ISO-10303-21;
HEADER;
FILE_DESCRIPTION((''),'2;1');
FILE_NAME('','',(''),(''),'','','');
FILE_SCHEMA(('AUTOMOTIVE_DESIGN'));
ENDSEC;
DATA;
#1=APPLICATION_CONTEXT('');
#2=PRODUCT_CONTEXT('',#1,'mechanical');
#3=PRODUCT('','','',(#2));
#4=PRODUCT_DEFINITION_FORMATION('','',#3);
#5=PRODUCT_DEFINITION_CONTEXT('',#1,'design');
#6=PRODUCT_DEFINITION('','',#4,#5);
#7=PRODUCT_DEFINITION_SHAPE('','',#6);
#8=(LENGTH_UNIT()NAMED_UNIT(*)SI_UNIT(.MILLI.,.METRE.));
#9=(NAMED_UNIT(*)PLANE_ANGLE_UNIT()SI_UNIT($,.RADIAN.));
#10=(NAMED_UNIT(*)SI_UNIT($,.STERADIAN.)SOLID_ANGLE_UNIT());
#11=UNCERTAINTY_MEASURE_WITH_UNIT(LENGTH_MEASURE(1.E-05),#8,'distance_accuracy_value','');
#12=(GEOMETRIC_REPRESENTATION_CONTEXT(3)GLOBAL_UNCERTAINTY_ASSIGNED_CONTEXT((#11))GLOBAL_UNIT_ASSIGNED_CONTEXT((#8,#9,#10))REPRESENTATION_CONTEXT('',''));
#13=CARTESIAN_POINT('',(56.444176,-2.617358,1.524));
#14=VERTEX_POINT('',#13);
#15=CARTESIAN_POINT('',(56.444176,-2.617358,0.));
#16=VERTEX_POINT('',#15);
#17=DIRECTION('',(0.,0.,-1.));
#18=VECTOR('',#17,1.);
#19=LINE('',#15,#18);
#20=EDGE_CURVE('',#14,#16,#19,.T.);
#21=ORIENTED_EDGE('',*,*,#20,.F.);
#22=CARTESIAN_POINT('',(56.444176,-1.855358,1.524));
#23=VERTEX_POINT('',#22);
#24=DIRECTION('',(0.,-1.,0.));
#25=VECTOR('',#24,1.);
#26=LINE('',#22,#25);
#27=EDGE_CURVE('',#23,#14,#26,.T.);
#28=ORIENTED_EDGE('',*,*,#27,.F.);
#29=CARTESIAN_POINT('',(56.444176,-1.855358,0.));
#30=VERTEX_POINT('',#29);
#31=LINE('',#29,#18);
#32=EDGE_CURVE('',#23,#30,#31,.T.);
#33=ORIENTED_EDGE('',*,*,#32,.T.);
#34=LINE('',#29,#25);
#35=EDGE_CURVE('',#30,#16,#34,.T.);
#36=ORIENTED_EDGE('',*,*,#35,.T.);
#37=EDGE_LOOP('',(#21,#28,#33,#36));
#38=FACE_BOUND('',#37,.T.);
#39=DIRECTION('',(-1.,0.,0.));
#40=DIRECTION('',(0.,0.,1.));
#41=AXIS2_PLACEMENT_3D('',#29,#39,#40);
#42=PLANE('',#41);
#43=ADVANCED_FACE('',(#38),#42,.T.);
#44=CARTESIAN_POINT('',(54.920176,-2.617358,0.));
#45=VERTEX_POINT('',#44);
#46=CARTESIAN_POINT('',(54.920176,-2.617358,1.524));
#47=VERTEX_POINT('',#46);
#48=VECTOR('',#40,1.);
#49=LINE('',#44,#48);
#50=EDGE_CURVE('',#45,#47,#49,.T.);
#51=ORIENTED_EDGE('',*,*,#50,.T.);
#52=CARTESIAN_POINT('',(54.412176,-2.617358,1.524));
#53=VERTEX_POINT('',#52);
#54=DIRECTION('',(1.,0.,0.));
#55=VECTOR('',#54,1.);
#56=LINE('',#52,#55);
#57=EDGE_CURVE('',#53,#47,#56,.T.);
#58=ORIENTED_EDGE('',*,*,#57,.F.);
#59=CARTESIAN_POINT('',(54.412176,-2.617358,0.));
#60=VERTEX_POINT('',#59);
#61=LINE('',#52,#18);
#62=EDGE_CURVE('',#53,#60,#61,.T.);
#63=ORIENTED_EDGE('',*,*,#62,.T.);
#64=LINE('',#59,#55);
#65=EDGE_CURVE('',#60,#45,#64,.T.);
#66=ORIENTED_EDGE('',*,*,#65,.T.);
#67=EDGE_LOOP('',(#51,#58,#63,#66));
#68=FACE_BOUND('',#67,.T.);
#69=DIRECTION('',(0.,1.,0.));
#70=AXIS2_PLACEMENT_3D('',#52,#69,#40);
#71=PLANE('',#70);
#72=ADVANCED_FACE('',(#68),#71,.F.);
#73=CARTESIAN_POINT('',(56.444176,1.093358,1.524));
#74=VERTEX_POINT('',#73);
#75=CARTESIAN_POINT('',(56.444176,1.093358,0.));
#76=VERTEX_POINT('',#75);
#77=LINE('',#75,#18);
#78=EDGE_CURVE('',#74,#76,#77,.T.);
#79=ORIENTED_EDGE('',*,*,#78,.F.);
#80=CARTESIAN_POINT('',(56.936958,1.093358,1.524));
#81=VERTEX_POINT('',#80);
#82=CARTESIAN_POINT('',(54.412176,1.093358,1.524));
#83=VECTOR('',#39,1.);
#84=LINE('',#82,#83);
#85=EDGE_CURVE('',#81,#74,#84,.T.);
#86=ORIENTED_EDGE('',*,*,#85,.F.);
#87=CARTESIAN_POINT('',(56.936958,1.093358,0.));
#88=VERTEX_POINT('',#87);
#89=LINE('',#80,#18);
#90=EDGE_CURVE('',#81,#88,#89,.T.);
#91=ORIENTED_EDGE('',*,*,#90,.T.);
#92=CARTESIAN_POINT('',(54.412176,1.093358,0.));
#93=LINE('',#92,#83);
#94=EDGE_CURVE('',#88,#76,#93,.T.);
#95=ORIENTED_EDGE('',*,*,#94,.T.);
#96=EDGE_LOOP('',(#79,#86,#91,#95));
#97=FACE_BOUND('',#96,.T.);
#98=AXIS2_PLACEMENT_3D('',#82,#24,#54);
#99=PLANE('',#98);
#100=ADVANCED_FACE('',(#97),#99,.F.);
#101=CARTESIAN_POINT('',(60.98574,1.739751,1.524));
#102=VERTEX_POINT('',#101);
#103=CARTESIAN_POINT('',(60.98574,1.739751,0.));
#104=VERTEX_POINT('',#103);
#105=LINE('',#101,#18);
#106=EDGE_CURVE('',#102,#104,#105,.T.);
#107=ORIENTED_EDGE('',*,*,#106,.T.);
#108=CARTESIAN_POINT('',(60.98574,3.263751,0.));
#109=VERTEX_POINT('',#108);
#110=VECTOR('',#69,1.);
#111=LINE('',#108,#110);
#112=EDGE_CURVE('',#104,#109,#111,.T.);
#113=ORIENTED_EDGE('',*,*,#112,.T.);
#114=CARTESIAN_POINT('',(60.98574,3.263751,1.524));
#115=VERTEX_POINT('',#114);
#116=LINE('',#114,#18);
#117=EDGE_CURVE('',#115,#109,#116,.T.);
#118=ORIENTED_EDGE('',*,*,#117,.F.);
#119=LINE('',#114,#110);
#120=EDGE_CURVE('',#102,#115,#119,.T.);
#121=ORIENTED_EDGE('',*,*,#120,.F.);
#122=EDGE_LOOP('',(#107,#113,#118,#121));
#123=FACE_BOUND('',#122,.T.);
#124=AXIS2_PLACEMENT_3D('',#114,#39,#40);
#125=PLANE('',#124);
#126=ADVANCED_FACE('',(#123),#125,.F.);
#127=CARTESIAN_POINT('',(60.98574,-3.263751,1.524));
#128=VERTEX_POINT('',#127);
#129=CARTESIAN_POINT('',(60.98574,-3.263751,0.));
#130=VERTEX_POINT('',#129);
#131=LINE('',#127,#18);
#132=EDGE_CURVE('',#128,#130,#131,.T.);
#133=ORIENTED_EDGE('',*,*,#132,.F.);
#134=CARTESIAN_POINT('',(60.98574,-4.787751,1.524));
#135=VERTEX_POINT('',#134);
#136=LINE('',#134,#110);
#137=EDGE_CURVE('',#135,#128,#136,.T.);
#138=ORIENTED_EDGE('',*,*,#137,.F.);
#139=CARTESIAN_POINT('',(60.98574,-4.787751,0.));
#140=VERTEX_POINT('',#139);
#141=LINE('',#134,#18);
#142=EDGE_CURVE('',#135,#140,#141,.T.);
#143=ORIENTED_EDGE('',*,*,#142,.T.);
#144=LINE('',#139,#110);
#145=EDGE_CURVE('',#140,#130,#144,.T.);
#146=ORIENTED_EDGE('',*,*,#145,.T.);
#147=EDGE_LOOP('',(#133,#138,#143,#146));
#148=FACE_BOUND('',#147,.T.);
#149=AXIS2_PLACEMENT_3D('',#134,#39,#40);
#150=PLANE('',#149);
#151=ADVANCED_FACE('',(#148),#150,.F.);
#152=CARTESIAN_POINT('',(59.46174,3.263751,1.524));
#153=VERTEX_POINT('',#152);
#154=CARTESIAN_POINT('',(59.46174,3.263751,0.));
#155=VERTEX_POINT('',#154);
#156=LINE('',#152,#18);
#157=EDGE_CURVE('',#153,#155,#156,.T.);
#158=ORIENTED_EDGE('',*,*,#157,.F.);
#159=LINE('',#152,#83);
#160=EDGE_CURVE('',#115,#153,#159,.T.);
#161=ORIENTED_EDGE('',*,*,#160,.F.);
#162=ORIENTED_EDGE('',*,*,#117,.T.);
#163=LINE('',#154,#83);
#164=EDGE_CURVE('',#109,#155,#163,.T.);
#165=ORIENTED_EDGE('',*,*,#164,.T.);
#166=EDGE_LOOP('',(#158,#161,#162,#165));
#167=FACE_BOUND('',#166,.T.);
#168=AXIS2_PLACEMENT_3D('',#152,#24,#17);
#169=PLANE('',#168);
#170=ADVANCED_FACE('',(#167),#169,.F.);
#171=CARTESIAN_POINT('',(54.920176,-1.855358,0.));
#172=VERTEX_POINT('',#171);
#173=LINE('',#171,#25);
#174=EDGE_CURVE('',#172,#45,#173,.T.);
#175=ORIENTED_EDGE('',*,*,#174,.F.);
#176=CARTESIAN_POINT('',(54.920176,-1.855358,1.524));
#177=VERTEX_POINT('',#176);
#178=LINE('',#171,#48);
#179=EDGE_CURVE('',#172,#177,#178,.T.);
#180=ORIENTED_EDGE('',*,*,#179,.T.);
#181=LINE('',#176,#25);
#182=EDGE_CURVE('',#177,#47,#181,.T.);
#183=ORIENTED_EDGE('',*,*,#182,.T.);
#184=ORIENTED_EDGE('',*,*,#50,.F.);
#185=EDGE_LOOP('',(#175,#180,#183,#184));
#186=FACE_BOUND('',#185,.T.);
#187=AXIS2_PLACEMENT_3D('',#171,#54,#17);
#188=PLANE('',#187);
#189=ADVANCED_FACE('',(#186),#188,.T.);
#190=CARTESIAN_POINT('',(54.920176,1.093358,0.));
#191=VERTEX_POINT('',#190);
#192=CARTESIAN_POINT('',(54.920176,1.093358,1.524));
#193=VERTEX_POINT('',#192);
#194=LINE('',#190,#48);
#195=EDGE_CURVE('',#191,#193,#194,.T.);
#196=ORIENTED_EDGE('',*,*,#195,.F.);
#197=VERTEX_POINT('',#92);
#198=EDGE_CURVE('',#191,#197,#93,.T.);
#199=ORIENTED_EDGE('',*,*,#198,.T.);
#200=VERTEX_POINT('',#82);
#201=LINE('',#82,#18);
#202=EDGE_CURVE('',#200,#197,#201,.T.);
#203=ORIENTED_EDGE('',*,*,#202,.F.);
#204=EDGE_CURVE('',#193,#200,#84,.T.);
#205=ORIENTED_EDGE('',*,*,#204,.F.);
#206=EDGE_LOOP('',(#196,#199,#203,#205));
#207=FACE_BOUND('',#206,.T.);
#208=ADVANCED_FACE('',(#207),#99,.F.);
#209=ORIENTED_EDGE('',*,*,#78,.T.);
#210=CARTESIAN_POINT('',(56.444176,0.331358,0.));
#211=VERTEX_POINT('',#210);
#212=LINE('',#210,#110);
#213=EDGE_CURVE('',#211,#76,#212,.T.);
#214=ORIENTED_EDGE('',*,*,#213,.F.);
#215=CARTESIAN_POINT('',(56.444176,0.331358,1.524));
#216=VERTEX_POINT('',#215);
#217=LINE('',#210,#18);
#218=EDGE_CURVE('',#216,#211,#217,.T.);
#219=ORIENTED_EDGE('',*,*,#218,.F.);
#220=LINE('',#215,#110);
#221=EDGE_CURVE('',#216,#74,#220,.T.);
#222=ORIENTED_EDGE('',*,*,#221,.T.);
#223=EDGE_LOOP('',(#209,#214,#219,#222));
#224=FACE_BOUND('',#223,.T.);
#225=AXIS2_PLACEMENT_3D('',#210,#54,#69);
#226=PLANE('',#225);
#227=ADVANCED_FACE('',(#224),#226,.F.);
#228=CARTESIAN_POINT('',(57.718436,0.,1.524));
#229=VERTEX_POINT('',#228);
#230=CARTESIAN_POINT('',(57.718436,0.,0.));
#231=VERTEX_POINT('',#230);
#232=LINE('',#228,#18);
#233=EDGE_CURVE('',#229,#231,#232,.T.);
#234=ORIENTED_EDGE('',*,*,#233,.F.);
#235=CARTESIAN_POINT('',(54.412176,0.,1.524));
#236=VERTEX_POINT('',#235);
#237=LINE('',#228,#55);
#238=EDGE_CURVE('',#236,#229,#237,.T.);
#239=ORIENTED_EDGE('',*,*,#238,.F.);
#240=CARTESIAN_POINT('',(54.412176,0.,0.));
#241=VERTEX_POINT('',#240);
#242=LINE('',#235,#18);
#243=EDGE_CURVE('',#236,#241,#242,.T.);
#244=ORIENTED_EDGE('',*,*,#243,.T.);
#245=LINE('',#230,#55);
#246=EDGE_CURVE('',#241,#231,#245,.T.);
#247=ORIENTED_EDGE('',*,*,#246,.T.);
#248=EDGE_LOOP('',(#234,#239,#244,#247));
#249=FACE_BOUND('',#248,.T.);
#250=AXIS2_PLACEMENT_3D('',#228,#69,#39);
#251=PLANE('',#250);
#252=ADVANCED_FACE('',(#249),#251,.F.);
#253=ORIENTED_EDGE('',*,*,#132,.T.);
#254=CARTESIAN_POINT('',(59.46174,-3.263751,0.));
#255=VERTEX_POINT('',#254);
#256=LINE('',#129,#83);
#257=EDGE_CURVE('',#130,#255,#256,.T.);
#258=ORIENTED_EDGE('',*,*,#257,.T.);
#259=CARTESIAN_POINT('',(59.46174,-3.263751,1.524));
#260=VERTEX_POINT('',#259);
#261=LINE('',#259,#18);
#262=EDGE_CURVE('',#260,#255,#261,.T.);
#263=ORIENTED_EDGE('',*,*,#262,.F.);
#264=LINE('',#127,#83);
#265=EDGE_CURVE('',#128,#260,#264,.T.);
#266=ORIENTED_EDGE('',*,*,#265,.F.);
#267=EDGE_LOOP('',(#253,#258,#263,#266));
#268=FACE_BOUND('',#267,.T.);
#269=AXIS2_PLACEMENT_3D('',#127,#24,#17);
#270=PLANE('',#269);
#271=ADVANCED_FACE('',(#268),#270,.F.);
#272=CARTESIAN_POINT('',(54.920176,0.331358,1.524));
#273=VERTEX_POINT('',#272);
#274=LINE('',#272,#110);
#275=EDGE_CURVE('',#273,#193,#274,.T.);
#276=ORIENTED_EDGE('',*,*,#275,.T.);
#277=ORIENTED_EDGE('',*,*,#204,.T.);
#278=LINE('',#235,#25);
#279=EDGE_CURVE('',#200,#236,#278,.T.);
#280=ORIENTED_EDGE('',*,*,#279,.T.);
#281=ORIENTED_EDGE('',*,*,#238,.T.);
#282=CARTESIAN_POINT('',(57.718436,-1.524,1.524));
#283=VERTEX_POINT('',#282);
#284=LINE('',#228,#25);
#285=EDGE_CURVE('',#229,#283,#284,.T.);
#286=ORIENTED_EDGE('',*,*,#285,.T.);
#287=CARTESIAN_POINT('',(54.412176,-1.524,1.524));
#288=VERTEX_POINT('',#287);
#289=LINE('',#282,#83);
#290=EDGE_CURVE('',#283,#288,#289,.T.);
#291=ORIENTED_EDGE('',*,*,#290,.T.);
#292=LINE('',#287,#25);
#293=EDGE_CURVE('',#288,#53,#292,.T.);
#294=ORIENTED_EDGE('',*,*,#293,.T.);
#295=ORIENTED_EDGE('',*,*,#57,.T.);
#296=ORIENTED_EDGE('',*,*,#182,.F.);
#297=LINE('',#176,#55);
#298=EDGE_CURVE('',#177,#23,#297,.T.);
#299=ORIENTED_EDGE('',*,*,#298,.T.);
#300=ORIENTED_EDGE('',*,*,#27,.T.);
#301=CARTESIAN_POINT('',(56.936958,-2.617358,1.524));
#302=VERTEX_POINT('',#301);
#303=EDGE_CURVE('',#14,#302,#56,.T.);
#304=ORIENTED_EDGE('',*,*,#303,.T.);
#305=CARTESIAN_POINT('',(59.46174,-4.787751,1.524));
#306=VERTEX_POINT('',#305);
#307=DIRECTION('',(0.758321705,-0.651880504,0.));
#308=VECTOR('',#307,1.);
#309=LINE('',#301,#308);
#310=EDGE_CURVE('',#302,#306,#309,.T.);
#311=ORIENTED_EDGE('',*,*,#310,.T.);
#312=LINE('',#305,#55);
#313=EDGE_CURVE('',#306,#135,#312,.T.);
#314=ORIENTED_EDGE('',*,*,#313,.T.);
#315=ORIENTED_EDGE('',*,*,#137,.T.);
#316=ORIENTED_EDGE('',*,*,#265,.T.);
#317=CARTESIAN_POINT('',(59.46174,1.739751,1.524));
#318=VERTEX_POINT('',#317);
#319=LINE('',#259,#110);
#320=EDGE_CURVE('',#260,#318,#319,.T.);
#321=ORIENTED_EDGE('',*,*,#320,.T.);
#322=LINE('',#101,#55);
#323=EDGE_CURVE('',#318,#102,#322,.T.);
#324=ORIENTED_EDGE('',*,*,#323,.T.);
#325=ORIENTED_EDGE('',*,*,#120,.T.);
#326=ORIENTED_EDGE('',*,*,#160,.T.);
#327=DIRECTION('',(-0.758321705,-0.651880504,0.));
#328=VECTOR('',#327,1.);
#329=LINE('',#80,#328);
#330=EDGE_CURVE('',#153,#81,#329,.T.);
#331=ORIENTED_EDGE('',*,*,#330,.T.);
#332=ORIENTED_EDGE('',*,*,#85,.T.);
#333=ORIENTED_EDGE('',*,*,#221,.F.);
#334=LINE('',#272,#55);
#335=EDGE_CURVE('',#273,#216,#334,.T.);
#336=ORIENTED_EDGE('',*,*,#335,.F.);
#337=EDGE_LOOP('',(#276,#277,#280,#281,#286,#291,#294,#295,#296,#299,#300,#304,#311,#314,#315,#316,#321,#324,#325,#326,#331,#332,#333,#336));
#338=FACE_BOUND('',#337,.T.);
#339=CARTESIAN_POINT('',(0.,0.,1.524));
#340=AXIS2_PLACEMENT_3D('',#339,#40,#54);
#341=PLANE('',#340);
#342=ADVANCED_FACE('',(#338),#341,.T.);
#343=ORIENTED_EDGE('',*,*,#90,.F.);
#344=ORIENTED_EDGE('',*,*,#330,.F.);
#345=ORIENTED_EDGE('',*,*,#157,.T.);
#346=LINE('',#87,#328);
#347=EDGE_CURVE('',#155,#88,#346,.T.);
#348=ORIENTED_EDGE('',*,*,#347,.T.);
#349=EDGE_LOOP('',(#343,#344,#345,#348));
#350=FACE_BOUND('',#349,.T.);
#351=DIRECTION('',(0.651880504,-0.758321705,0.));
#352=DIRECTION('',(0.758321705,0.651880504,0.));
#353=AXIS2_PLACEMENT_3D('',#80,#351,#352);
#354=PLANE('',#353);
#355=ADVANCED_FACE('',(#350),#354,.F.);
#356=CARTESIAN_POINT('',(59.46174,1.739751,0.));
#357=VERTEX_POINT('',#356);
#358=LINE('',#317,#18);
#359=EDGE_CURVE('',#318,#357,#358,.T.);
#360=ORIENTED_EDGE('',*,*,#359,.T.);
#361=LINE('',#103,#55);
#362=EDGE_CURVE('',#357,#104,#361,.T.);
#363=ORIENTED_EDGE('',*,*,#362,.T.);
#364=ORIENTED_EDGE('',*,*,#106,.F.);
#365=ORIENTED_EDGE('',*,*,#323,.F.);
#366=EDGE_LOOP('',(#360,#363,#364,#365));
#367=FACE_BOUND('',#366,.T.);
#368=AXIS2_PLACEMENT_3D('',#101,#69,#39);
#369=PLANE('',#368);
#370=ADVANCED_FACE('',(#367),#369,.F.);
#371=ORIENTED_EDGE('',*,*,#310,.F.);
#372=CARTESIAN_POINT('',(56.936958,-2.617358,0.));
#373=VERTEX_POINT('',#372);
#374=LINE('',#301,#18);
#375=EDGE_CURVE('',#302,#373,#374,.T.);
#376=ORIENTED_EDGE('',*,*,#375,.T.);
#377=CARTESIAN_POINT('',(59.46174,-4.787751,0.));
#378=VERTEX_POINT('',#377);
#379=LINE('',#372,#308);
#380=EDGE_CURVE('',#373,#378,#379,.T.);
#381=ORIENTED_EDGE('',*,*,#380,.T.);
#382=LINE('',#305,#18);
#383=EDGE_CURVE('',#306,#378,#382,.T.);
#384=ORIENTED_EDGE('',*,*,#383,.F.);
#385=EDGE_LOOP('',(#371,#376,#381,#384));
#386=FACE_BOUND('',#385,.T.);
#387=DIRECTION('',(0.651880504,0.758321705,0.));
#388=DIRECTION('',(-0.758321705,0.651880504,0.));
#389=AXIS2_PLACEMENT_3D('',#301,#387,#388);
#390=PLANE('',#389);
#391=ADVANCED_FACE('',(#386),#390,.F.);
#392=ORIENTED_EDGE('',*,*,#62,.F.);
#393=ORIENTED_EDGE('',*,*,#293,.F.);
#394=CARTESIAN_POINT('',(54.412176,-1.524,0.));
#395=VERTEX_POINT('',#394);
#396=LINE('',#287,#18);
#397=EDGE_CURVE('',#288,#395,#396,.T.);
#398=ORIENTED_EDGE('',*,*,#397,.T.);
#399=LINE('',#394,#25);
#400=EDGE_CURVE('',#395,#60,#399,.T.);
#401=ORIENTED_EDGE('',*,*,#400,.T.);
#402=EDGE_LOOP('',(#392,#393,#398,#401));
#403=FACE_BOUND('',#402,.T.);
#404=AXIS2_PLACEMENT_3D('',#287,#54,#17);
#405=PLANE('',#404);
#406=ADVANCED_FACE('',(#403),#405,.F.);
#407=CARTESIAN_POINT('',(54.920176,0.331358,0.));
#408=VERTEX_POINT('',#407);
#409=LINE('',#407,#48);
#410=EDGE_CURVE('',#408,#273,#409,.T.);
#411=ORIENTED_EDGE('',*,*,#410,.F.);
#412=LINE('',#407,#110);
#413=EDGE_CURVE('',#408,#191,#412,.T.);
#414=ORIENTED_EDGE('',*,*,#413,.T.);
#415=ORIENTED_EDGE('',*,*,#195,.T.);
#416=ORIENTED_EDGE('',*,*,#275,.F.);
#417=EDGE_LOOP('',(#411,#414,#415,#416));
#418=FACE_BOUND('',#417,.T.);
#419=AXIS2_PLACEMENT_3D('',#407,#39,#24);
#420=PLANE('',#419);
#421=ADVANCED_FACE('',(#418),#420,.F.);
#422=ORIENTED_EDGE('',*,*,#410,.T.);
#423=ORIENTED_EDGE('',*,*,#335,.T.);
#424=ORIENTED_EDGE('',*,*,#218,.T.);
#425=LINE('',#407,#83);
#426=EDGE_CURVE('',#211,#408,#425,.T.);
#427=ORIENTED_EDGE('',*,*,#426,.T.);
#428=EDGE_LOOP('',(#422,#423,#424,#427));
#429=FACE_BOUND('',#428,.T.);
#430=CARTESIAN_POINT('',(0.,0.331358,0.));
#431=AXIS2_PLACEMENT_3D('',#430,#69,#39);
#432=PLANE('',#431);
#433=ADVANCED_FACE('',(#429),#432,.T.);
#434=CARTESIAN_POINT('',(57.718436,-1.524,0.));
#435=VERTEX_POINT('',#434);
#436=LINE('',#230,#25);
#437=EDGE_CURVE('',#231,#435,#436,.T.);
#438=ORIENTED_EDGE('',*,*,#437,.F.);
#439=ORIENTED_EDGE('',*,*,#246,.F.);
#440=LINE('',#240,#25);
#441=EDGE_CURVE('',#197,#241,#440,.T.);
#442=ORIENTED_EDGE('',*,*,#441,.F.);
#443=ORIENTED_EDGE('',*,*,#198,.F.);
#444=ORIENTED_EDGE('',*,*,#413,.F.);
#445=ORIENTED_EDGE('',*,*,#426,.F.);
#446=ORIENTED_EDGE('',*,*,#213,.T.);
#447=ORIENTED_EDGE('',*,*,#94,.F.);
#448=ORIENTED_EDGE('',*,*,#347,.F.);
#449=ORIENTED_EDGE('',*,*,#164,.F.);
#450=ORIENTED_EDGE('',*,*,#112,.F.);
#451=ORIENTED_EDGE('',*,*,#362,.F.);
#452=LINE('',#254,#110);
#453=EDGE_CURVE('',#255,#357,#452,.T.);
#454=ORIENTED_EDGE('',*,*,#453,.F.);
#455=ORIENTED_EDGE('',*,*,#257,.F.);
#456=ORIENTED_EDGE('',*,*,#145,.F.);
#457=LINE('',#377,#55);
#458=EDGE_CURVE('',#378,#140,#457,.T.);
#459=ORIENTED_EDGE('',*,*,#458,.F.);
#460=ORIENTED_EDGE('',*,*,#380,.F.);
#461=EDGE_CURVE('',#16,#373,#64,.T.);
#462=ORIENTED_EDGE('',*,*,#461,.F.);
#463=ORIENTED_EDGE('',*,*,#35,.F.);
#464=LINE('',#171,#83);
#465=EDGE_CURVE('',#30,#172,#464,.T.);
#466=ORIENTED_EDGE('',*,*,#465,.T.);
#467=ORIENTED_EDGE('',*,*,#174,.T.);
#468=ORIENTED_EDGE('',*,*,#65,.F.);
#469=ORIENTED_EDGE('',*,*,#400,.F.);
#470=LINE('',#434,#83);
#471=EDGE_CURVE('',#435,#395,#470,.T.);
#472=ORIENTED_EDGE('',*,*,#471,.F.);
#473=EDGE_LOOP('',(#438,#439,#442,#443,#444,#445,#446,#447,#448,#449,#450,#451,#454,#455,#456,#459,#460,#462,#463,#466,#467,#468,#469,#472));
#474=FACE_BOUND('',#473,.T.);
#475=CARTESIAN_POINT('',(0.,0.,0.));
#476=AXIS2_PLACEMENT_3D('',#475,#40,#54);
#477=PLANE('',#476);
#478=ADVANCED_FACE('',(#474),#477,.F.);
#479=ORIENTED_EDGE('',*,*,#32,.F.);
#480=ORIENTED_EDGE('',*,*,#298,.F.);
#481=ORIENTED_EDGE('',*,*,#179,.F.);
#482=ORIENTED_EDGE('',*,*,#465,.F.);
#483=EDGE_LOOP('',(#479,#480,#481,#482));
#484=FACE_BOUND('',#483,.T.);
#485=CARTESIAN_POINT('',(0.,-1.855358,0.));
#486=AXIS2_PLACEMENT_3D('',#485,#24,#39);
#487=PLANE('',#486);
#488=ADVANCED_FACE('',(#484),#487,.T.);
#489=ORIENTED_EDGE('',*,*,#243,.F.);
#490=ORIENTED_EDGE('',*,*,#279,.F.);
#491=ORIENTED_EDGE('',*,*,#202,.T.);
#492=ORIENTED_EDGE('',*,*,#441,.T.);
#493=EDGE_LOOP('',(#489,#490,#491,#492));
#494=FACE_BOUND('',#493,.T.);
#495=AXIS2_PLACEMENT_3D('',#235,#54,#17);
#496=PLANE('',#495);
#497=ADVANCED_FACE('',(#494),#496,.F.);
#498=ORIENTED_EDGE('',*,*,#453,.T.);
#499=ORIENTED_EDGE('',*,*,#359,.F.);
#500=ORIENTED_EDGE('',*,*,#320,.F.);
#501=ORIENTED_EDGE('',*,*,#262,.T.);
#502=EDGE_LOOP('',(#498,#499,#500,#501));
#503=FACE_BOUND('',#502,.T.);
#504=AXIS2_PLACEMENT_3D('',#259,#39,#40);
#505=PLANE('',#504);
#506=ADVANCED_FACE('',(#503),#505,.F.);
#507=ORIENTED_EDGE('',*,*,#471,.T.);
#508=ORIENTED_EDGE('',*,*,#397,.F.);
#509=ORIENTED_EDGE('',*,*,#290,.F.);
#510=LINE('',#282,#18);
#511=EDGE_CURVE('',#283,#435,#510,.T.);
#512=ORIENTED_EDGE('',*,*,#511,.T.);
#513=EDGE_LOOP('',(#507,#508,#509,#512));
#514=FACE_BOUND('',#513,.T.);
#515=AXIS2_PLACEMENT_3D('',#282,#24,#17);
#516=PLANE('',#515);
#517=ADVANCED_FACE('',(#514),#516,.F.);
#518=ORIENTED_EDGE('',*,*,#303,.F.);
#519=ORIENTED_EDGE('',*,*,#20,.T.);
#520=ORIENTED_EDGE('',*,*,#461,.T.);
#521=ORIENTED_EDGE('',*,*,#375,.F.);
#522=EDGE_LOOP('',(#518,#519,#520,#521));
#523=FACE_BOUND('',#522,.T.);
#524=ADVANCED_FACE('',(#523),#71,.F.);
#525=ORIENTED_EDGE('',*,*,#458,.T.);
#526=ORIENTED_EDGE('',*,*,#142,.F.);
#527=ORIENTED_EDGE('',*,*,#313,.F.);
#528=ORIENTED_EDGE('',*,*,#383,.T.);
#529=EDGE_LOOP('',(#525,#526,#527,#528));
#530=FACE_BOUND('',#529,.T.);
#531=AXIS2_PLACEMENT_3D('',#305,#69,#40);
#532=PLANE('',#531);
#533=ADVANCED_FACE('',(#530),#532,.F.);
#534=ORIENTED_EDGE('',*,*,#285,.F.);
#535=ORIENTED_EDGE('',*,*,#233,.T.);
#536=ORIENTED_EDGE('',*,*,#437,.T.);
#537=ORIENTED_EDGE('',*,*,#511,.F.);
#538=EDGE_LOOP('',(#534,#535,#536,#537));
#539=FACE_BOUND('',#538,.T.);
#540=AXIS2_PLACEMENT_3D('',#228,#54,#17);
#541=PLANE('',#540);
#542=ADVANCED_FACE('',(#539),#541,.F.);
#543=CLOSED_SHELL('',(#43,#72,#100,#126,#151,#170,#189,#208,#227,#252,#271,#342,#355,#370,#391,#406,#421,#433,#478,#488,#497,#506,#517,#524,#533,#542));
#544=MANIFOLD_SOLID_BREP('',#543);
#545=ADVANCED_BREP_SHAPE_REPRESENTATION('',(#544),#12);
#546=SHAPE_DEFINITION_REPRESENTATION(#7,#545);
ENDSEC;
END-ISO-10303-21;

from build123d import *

# Parameters (mm, degrees)
BOSS_EXTRUDE1_DEPTH = 1.524
SKETCH3_W           = 1.524
SKETCH3_H           = 1.524
CUT_EXTRUDE1_DEPTH  = 0.762


with BuildPart() as part:
    # Sketch1 → Boss-Extrude1 (new body)
    with BuildSketch(Plane.XY):
        Polygon((57.718435694, 0), (57.718435694, -1.524), (54.412176394, -1.524), (54.412176394, -2.617357602), (56.936958373, -2.617357602), (59.461740351, -4.787750638), (60.985740351, -4.787750638), (60.985740351, -3.263750638), (59.461740351, -3.263750638), (59.461740351, 1.739750638), (60.985740351, 1.739750638), (60.985740351, 3.263750638), (59.461740351, 3.263750638), (56.936958373, 1.093357602), (54.412176394, 1.093357602), (54.412176394, 0), align=None)
    extrude(amount=BOSS_EXTRUDE1_DEPTH)

    # Sketch3 → Cut-Extrude1 (cut)
    with BuildSketch(Plane(origin=(0, 1.093357602, 0), x_dir=(1, 0, 0), z_dir=(0, 1, 0))):
        with Locations((55.682176394, -0.762)):
            Rectangle(SKETCH3_W, SKETCH3_H)
    cut_extrude1 = extrude(amount=-CUT_EXTRUDE1_DEPTH, mode=Mode.SUBTRACT)

    # Mirror1: Cut-Extrude1 across plane
    add(cut_extrude1.mirror(Plane.ZX.offset(-0.762)), mode=Mode.SUBTRACT)


solid = part.part
